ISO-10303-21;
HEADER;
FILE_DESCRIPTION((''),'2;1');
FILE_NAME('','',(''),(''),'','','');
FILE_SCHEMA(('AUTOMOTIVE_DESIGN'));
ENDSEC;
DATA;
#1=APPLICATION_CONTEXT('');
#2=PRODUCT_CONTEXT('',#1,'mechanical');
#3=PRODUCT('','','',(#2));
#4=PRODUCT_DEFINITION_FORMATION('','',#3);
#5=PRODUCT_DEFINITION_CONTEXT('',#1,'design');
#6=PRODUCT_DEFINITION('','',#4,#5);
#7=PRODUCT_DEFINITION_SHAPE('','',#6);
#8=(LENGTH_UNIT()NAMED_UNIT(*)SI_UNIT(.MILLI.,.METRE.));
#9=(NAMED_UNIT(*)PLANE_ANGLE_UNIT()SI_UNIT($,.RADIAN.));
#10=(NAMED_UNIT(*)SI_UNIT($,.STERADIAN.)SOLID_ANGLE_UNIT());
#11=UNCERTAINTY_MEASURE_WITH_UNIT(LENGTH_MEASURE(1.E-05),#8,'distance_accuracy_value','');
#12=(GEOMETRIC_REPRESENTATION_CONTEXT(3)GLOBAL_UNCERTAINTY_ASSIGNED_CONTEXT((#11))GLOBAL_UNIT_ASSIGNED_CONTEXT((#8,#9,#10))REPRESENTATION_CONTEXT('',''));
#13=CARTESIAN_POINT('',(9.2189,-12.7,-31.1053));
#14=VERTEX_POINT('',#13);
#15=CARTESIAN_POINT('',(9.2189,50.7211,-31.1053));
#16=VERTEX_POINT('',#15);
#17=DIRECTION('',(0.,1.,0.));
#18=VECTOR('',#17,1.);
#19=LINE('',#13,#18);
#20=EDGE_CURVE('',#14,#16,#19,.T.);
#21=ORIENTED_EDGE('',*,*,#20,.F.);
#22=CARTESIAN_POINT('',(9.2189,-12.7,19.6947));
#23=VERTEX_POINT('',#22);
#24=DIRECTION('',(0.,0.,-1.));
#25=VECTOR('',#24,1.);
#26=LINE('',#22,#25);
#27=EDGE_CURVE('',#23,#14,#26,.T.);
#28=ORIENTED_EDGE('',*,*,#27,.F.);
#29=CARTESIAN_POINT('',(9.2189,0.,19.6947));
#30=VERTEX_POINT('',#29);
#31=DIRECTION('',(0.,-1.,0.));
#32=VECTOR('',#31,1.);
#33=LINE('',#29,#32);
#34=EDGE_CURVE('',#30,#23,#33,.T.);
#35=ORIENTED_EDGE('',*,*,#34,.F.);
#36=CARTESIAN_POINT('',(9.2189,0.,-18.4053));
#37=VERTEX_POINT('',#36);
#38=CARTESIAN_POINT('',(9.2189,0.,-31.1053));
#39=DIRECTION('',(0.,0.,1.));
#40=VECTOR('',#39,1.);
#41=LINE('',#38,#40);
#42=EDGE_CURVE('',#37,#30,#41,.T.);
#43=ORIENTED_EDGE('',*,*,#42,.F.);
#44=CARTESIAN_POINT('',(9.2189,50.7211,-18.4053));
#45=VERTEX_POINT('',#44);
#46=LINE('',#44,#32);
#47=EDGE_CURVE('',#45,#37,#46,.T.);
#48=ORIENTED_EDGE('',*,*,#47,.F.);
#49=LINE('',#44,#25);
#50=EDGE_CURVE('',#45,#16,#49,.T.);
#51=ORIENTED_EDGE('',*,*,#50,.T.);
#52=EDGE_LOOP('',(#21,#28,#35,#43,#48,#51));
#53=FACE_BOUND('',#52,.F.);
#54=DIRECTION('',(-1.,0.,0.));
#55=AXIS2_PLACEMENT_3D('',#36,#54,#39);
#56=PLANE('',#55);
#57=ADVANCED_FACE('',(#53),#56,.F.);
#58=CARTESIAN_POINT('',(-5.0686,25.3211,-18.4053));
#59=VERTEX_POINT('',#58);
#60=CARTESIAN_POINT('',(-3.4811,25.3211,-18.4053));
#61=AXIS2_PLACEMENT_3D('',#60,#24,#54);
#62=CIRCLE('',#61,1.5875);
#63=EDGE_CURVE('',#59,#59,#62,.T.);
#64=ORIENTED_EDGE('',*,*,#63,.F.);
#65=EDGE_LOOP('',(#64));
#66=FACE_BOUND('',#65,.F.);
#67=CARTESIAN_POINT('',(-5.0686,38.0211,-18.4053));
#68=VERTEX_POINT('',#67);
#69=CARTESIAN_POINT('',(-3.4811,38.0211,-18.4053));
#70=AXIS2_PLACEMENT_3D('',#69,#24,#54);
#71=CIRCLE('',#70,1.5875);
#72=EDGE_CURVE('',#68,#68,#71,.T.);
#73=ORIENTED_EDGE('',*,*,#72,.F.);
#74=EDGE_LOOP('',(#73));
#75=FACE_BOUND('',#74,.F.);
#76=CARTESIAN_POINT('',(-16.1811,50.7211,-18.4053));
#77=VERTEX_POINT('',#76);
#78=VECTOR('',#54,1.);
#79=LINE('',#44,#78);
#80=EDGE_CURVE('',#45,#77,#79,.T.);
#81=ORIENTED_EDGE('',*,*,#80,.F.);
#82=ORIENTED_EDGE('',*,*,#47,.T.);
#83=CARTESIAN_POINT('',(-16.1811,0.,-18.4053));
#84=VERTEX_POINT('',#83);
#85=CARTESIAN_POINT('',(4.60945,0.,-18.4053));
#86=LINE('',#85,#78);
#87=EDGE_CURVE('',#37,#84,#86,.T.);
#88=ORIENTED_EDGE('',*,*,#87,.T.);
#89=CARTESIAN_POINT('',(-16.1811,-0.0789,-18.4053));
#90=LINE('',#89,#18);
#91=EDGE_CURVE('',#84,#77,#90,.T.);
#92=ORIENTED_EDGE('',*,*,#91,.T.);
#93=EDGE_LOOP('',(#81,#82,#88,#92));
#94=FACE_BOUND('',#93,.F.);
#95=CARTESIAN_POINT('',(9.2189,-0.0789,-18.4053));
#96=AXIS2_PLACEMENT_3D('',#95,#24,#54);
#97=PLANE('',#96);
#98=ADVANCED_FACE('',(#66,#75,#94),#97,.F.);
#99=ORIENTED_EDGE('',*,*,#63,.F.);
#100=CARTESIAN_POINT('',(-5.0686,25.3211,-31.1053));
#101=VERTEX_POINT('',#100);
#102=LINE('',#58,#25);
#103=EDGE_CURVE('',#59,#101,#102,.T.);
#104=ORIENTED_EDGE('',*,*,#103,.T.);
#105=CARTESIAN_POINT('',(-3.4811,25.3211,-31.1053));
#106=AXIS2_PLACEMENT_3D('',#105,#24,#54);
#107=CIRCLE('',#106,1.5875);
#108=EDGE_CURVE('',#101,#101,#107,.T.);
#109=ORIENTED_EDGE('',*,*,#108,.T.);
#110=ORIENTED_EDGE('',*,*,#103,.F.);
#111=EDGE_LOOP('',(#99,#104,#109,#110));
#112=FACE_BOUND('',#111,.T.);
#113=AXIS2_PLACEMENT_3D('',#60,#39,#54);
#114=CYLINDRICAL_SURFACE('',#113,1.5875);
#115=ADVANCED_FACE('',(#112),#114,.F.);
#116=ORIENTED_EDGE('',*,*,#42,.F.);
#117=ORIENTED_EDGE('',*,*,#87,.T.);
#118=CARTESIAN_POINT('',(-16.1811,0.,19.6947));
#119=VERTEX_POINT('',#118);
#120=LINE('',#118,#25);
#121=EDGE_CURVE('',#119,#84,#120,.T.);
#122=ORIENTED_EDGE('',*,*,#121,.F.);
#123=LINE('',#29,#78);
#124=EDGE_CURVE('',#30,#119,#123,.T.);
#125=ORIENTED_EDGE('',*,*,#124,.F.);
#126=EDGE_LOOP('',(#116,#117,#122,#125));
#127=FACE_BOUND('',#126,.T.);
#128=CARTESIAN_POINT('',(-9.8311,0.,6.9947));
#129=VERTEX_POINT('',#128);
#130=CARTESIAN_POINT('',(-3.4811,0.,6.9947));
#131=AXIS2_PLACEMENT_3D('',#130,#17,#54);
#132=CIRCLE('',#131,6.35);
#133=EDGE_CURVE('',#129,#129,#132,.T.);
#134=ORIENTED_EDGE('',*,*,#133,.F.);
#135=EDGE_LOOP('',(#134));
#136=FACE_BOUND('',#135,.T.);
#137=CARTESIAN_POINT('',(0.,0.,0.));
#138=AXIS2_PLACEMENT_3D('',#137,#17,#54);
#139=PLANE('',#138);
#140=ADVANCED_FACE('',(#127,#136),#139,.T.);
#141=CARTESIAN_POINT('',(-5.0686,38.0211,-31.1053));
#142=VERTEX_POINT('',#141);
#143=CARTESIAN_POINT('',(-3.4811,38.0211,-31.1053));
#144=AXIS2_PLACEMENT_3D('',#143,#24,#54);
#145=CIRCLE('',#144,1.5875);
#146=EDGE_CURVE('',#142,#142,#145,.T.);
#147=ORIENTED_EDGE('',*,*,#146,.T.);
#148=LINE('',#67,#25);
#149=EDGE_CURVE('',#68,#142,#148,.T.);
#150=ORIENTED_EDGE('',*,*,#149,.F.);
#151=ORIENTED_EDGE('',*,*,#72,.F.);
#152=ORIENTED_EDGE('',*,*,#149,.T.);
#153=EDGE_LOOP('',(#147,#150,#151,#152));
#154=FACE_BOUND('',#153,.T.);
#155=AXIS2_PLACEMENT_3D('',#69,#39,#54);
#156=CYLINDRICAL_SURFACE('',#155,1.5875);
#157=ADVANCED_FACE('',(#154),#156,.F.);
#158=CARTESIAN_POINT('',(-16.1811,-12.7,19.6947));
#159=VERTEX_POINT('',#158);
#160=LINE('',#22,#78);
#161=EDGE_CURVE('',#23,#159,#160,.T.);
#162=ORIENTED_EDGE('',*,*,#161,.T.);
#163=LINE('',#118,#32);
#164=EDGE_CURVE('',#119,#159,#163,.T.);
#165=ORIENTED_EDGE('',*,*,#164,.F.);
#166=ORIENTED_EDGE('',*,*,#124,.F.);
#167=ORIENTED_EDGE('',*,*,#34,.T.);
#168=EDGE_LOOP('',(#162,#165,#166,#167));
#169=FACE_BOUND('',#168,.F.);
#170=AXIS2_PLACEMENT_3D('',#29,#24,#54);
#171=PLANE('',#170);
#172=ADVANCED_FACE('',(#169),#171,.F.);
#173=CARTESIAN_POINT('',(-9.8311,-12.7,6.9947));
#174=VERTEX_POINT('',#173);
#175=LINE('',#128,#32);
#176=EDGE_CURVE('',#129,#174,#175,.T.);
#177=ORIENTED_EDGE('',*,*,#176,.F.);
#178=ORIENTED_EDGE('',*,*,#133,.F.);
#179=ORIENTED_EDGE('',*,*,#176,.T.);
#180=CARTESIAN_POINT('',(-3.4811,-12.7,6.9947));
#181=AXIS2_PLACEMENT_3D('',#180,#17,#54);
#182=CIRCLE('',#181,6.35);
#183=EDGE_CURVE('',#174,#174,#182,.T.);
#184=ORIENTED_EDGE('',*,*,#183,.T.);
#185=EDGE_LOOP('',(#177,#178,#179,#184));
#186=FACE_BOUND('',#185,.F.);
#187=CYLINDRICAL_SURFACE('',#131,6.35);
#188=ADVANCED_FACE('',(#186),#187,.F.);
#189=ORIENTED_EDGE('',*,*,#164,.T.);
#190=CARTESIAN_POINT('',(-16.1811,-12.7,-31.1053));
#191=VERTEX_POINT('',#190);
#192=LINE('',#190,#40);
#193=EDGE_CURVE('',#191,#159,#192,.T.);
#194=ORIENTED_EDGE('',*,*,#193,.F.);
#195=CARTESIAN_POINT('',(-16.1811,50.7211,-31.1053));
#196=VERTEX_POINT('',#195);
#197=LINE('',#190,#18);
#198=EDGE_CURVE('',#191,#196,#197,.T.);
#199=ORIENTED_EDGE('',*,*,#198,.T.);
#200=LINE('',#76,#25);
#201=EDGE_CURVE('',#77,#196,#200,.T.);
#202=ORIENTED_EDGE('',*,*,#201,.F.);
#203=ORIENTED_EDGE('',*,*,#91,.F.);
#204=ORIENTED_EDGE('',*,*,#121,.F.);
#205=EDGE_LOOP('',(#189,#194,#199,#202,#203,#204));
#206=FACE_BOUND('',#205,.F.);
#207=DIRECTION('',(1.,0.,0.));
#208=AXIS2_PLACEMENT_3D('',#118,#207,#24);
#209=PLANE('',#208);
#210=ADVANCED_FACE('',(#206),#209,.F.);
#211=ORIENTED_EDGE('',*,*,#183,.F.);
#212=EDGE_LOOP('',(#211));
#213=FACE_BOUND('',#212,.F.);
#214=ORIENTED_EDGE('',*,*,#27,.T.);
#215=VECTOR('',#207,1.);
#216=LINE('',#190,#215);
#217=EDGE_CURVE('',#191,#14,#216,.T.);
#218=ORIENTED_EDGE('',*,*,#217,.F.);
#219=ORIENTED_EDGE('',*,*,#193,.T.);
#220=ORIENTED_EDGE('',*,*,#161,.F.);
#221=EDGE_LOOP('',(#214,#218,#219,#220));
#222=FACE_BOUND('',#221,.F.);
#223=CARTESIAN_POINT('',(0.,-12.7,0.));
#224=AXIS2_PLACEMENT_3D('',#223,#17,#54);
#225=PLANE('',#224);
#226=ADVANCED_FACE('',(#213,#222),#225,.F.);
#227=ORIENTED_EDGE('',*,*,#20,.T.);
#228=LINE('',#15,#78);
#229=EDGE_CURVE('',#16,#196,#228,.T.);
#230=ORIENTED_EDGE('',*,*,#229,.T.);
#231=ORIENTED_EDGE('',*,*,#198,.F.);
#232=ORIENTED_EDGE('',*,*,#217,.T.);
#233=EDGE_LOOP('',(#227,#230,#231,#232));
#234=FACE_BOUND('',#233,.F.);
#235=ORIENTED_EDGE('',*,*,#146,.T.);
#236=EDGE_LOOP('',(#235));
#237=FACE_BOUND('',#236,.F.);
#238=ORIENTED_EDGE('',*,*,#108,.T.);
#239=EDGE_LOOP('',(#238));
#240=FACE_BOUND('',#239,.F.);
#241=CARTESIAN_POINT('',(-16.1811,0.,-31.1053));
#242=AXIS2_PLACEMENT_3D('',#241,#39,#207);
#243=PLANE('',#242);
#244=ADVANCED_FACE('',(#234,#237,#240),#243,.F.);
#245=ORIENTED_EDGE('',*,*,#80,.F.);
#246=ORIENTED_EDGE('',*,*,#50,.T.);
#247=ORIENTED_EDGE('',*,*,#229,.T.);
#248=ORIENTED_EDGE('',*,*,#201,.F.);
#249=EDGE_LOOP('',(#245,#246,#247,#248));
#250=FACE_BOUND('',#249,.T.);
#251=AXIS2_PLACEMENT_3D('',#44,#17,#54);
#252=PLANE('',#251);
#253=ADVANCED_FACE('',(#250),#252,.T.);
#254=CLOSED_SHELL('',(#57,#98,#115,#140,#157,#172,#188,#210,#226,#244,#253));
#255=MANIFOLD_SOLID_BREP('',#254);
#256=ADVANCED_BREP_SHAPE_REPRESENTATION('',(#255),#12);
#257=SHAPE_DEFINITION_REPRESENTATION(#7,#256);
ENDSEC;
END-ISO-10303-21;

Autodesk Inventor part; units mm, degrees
ref_plane "YZ Plane" through (0, 0, 0) normal (1, 0, 0) x (0, 1, 0)
ref_plane "XZ Plane" through (0, 0, 0) normal (0, 1, 0) x (-1, 0, 0)
ref_plane "XY Plane" through (0, 0, 0) normal (0, 0, 1) x (1, 0, 0)
sketch "Sketch1" plane through (0, 0, 0) normal (0, 1, 0) x (-1, 0, 0)
  circle A0 centre (3.4811, 6.9947) radius 6.35
  line L0 (-9.2189, 19.6947) -> (16.1811, 19.6947)
  line L1 (16.1811, 19.6947) -> (16.1811, -18.4053)
  line L2 (16.1811, -18.4053) -> (-9.2189, -18.4053)
  line L3 (-9.2189, -18.4053) -> (-9.2189, 19.6947)
  line L4 (16.1811, -18.4053) -> (16.1811, -31.1053)
  line L5 (16.1811, -31.1053) -> (-9.2189, -31.1053)
  line L6 (-9.2189, -31.1053) -> (-9.2189, -18.4053)
  point P0 (0, 0)
  dimension "d0" = 12.7
  dimension "d1" = 25.4
  dimension "d2" = 38.1
  dimension "d3" = 12.7
  dimension "d4" = 12.7
  dimension "d36" = 12.7
ref_plane "Work Plane1" through (9.2189, 0, -18.4053) normal (0, 0, -1) x (-1, 0, 0)
sketch "Sketch3" plane through (9.2189, 0, -18.4053) normal (0, 0, -1) x (-1, 0, 0)
  line L0 (25.4, 0) -> (0, 0) projected
  line L1 (12.7, 0) -> (12.7, 50.8)
  line L2 (0, 50.8) -> (25.4, 50.8) projected
  circle A0 centre (12.7, 25.4) radius 1.5875
  circle A1 centre (12.7, 38.1) radius 1.5875
  point P0 (9.2189, 0)
  dimension "d23" = 3.175
  dimension "d24" = 3.175
  dimension "d25" = 25.4
  dimension "d26" = 12.7
ref_plane "Work Plane2" through (9.2189, -0.0789, -18.4053) normal (0, 0, -1) x (-1, 0, 0)
sketch "Sketch4" plane through (9.2189, -0.0789, -18.4053) normal (0, 0, -1) x (-1, 0, 0)
  line L0 (25.4, 0) -> (0, 0)
  line L1 (0, 50.8) -> (25.4, 50.8)
  circle A0 centre (12.7, 25.4) radius 1.5875
  circle A1 centre (12.7, 38.1) radius 1.5875
  line L2 (0, 50.8) -> (0, 0)
  line L3 (0, 0) -> (25.4, 0)
  line L4 (25.4, 0) -> (25.4, 50.8)
  point P0 (9.2189, 0)
  dimension "d30" = 3.175
  dimension "d31" = 3.175
  dimension "d32" = 25.4
  dimension "d29" = 12.7
extrude "Extrusion7" add sketch "Sketch1" against normal blind 12.7
extrude "Extrusion8" add sketch "Sketch4" along normal blind 12.7
properties part number "Cylinder Cutting Jig"
